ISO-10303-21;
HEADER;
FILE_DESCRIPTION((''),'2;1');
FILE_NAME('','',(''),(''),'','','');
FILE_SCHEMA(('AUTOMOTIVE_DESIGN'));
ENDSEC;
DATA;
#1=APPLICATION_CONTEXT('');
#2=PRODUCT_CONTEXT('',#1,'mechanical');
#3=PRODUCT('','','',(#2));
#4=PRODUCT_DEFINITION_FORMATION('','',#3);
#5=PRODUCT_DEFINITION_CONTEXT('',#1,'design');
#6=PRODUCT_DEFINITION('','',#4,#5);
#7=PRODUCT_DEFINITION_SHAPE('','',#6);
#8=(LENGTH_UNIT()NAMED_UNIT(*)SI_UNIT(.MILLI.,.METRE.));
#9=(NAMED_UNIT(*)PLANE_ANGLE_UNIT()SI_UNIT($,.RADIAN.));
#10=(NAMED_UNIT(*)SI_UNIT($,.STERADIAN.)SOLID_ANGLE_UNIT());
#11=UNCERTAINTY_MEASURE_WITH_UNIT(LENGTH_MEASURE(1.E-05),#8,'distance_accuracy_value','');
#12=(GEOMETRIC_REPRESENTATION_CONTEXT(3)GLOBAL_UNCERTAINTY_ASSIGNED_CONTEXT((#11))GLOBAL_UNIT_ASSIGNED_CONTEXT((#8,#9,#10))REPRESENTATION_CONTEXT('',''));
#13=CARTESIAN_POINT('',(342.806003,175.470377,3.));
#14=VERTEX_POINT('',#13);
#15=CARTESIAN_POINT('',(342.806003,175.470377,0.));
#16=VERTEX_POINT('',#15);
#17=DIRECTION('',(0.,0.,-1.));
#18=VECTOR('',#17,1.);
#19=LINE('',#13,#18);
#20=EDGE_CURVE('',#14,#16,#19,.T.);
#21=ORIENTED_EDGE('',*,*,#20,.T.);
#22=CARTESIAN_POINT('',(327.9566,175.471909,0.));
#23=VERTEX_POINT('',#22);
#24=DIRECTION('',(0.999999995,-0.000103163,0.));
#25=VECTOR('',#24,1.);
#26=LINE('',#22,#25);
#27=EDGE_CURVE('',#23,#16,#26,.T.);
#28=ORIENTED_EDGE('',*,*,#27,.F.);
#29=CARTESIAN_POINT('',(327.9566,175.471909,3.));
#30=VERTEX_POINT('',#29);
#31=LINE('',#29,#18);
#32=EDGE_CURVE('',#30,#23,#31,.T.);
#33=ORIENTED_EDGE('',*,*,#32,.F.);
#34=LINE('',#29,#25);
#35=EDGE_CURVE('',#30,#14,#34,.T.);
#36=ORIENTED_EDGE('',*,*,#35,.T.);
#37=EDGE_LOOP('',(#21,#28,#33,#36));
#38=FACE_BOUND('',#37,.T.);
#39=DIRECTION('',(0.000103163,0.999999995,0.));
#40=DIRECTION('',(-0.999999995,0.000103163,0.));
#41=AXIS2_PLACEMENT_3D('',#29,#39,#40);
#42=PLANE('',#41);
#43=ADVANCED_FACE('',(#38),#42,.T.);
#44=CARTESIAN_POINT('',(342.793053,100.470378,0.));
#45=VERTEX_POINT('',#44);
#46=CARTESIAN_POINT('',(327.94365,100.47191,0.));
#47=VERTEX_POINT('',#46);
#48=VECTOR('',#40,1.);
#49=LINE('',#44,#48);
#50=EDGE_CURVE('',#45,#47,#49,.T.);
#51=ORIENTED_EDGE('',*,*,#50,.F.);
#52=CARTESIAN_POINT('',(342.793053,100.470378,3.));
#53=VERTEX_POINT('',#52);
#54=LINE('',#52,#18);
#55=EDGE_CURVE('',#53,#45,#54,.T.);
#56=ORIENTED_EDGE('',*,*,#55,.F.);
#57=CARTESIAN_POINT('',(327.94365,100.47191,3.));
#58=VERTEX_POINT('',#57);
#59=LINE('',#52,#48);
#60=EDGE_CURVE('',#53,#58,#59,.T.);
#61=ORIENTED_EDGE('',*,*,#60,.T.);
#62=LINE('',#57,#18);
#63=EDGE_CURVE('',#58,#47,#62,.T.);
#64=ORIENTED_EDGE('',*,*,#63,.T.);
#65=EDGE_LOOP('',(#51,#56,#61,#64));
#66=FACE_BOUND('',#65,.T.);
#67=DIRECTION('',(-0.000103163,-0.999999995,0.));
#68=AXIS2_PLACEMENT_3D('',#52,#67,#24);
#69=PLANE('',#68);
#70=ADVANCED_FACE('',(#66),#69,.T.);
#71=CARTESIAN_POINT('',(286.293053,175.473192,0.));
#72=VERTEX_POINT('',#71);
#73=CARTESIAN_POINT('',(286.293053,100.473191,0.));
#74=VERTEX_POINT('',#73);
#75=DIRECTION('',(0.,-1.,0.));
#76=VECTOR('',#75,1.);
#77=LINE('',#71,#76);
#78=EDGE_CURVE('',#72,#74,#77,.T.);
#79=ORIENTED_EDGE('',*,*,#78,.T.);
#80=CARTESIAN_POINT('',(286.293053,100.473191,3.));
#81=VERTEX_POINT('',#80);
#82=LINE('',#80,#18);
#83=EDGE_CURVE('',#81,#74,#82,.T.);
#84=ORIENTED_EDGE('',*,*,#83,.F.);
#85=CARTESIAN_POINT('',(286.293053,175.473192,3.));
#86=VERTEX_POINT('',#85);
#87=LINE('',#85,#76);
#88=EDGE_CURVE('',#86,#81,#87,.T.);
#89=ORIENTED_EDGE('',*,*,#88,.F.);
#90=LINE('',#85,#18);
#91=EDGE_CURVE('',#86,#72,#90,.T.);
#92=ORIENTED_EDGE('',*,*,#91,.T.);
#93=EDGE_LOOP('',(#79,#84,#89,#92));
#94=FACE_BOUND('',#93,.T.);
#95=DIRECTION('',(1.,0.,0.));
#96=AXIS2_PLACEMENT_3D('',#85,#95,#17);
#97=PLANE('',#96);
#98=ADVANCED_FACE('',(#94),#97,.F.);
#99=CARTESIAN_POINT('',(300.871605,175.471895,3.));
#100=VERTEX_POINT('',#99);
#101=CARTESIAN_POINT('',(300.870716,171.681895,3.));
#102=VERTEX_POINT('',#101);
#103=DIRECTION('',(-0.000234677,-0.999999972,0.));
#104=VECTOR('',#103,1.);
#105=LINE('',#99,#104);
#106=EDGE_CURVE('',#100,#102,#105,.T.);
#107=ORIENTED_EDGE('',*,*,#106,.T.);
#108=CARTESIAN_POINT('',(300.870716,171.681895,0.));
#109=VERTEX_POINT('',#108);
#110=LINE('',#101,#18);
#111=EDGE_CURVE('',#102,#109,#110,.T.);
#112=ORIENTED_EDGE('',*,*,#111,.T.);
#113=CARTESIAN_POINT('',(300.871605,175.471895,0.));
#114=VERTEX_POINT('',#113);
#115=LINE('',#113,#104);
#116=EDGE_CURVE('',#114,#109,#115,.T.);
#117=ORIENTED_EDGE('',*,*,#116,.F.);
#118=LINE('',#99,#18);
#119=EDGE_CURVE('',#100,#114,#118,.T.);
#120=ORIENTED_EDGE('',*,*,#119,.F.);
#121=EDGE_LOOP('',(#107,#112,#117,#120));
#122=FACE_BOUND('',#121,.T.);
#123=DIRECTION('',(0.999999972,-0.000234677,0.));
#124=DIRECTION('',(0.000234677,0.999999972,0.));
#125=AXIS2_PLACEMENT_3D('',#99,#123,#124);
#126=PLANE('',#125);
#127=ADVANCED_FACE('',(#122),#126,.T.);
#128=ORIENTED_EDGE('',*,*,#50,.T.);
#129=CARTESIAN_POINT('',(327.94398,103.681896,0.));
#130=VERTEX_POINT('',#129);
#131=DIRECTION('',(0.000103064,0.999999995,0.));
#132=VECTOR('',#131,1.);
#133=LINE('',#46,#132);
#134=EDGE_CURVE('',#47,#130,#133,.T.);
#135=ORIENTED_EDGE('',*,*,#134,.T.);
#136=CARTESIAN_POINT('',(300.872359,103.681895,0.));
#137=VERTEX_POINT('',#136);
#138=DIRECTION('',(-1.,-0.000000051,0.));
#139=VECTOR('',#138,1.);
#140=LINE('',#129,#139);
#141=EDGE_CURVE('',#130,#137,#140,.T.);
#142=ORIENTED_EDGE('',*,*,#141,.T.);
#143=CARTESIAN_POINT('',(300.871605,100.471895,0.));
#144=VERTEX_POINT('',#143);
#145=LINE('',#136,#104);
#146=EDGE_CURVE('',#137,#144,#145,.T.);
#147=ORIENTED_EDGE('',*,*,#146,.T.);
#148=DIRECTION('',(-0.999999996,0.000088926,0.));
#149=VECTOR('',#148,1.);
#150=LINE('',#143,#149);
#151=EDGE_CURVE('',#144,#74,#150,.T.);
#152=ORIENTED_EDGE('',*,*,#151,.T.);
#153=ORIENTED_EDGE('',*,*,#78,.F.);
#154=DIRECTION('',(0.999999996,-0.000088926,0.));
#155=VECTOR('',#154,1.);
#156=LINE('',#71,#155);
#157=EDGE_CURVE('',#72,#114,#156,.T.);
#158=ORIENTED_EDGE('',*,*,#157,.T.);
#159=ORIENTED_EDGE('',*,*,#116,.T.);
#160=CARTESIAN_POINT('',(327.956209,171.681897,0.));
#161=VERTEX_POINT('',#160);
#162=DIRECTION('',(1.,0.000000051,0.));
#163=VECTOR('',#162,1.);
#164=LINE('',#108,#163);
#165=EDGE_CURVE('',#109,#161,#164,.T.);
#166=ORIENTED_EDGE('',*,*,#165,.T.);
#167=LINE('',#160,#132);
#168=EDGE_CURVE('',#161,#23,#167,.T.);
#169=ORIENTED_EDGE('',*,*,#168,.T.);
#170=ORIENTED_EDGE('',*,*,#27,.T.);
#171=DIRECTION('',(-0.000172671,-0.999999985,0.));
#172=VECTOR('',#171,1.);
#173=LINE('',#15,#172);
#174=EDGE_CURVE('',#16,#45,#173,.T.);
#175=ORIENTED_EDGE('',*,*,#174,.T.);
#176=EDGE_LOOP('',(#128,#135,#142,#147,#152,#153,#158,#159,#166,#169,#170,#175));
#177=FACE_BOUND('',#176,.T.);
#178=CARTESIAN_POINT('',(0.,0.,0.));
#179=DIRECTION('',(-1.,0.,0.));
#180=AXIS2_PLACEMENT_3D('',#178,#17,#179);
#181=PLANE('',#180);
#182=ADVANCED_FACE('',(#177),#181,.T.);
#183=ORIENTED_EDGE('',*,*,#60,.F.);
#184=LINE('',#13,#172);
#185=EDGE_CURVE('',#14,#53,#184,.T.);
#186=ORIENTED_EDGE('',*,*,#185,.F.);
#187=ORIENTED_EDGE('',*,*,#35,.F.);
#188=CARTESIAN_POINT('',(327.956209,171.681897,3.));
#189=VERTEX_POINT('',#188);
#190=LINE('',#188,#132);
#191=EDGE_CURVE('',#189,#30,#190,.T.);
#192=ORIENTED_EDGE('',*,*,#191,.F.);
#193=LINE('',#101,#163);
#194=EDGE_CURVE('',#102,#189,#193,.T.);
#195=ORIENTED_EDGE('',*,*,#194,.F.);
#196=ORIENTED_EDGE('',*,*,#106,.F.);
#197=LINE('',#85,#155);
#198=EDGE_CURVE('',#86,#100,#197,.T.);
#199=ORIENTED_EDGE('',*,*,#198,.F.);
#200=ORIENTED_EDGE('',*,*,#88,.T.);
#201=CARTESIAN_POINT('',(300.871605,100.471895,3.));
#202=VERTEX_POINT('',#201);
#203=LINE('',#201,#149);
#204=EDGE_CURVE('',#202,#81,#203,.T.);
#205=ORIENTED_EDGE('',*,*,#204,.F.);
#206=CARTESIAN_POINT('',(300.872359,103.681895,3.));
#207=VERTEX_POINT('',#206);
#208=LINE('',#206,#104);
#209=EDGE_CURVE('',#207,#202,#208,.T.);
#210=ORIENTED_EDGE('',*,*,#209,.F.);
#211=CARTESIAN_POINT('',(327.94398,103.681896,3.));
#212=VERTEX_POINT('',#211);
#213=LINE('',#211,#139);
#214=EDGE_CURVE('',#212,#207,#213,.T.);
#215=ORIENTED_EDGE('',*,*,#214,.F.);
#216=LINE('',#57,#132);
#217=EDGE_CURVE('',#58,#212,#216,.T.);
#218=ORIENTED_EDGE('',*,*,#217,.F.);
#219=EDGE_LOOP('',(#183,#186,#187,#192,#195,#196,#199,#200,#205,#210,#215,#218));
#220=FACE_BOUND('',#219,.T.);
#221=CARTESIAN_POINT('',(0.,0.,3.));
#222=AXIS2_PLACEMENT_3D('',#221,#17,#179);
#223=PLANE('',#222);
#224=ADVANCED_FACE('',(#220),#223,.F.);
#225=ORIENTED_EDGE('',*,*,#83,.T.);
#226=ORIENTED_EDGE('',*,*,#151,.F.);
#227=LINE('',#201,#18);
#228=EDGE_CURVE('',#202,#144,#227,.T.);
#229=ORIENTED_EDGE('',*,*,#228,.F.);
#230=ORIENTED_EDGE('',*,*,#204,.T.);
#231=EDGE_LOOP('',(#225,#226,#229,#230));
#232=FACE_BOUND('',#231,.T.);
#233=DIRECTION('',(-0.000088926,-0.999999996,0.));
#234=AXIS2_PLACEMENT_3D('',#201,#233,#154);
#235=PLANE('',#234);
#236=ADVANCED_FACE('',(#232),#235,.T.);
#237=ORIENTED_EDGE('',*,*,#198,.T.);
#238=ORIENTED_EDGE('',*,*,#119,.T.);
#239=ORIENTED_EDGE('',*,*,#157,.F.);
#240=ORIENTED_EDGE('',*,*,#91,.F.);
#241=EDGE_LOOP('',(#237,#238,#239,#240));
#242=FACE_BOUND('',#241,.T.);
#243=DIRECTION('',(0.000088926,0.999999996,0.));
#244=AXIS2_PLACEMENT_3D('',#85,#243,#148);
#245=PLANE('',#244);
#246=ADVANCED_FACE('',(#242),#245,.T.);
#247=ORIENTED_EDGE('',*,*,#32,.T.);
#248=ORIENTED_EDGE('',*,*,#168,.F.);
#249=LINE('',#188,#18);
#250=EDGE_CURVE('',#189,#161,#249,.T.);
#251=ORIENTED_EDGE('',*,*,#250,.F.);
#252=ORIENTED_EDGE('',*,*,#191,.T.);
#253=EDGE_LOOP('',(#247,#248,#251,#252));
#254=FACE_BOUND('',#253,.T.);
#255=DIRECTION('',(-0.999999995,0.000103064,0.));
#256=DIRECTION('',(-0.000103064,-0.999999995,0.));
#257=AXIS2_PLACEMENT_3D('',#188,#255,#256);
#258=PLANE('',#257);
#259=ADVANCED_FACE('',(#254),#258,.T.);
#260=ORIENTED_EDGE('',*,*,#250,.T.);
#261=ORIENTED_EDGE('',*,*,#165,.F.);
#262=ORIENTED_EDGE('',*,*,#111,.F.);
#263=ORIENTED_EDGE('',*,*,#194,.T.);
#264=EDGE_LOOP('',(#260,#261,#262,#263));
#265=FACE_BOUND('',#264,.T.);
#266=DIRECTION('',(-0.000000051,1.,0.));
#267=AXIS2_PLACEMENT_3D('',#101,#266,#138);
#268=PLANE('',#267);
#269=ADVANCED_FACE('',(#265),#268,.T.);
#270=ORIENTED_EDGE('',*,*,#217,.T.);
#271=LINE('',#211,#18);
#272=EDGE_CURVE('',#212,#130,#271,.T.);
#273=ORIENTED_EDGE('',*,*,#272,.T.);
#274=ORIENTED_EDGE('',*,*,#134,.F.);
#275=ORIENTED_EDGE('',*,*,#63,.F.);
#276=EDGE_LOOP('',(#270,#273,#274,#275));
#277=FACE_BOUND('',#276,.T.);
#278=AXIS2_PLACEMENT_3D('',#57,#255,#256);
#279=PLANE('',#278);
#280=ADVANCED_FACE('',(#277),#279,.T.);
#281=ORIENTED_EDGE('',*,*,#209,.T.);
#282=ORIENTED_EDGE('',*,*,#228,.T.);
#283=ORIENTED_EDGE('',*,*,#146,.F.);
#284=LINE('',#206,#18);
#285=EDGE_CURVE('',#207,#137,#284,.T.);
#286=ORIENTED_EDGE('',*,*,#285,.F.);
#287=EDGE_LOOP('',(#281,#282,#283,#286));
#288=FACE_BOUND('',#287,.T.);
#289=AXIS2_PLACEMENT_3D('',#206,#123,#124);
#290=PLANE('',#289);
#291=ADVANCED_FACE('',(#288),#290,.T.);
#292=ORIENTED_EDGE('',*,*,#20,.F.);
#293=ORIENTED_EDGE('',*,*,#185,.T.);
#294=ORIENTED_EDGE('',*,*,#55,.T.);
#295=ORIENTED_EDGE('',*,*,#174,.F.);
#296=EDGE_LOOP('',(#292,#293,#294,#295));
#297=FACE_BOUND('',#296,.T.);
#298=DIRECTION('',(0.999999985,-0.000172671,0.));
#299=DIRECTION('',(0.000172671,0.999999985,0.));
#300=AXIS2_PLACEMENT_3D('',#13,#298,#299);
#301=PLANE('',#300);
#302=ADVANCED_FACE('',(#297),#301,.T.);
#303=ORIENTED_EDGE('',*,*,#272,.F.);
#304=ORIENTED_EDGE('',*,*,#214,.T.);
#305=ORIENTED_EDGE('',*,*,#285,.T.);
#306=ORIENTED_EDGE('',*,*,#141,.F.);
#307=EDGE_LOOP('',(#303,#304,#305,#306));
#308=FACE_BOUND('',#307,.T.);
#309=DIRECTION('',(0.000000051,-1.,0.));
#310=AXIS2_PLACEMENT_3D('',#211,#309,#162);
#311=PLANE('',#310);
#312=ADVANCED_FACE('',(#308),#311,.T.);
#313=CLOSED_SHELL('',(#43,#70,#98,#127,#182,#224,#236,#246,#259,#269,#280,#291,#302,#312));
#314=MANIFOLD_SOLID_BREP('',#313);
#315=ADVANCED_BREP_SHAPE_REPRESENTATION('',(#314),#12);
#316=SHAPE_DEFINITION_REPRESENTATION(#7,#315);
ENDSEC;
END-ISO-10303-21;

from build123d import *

# Parameters (mm, degrees)
BOSS_EXTRUDE1_DEPTH = 3


with BuildPart() as part:
    # Sketch1 → Boss-Extrude1 (new body)
    with BuildSketch(Plane.XY):
        Polygon((300.870715781, 171.681895433), (327.956209265, 171.68189681), (327.95659988, 175.471909133), (342.806002994, 175.470377229), (342.79305267, 100.47037805), (327.943649557, 100.471909954), (327.943980392, 103.681896334), (300.872358523, 103.681894958), (300.871605208, 100.471894804), (286.29305274, 100.47319122), (286.29305274, 175.473191517), (300.871605208, 175.4718951), align=None)
    extrude(amount=BOSS_EXTRUDE1_DEPTH)


solid = part.part
